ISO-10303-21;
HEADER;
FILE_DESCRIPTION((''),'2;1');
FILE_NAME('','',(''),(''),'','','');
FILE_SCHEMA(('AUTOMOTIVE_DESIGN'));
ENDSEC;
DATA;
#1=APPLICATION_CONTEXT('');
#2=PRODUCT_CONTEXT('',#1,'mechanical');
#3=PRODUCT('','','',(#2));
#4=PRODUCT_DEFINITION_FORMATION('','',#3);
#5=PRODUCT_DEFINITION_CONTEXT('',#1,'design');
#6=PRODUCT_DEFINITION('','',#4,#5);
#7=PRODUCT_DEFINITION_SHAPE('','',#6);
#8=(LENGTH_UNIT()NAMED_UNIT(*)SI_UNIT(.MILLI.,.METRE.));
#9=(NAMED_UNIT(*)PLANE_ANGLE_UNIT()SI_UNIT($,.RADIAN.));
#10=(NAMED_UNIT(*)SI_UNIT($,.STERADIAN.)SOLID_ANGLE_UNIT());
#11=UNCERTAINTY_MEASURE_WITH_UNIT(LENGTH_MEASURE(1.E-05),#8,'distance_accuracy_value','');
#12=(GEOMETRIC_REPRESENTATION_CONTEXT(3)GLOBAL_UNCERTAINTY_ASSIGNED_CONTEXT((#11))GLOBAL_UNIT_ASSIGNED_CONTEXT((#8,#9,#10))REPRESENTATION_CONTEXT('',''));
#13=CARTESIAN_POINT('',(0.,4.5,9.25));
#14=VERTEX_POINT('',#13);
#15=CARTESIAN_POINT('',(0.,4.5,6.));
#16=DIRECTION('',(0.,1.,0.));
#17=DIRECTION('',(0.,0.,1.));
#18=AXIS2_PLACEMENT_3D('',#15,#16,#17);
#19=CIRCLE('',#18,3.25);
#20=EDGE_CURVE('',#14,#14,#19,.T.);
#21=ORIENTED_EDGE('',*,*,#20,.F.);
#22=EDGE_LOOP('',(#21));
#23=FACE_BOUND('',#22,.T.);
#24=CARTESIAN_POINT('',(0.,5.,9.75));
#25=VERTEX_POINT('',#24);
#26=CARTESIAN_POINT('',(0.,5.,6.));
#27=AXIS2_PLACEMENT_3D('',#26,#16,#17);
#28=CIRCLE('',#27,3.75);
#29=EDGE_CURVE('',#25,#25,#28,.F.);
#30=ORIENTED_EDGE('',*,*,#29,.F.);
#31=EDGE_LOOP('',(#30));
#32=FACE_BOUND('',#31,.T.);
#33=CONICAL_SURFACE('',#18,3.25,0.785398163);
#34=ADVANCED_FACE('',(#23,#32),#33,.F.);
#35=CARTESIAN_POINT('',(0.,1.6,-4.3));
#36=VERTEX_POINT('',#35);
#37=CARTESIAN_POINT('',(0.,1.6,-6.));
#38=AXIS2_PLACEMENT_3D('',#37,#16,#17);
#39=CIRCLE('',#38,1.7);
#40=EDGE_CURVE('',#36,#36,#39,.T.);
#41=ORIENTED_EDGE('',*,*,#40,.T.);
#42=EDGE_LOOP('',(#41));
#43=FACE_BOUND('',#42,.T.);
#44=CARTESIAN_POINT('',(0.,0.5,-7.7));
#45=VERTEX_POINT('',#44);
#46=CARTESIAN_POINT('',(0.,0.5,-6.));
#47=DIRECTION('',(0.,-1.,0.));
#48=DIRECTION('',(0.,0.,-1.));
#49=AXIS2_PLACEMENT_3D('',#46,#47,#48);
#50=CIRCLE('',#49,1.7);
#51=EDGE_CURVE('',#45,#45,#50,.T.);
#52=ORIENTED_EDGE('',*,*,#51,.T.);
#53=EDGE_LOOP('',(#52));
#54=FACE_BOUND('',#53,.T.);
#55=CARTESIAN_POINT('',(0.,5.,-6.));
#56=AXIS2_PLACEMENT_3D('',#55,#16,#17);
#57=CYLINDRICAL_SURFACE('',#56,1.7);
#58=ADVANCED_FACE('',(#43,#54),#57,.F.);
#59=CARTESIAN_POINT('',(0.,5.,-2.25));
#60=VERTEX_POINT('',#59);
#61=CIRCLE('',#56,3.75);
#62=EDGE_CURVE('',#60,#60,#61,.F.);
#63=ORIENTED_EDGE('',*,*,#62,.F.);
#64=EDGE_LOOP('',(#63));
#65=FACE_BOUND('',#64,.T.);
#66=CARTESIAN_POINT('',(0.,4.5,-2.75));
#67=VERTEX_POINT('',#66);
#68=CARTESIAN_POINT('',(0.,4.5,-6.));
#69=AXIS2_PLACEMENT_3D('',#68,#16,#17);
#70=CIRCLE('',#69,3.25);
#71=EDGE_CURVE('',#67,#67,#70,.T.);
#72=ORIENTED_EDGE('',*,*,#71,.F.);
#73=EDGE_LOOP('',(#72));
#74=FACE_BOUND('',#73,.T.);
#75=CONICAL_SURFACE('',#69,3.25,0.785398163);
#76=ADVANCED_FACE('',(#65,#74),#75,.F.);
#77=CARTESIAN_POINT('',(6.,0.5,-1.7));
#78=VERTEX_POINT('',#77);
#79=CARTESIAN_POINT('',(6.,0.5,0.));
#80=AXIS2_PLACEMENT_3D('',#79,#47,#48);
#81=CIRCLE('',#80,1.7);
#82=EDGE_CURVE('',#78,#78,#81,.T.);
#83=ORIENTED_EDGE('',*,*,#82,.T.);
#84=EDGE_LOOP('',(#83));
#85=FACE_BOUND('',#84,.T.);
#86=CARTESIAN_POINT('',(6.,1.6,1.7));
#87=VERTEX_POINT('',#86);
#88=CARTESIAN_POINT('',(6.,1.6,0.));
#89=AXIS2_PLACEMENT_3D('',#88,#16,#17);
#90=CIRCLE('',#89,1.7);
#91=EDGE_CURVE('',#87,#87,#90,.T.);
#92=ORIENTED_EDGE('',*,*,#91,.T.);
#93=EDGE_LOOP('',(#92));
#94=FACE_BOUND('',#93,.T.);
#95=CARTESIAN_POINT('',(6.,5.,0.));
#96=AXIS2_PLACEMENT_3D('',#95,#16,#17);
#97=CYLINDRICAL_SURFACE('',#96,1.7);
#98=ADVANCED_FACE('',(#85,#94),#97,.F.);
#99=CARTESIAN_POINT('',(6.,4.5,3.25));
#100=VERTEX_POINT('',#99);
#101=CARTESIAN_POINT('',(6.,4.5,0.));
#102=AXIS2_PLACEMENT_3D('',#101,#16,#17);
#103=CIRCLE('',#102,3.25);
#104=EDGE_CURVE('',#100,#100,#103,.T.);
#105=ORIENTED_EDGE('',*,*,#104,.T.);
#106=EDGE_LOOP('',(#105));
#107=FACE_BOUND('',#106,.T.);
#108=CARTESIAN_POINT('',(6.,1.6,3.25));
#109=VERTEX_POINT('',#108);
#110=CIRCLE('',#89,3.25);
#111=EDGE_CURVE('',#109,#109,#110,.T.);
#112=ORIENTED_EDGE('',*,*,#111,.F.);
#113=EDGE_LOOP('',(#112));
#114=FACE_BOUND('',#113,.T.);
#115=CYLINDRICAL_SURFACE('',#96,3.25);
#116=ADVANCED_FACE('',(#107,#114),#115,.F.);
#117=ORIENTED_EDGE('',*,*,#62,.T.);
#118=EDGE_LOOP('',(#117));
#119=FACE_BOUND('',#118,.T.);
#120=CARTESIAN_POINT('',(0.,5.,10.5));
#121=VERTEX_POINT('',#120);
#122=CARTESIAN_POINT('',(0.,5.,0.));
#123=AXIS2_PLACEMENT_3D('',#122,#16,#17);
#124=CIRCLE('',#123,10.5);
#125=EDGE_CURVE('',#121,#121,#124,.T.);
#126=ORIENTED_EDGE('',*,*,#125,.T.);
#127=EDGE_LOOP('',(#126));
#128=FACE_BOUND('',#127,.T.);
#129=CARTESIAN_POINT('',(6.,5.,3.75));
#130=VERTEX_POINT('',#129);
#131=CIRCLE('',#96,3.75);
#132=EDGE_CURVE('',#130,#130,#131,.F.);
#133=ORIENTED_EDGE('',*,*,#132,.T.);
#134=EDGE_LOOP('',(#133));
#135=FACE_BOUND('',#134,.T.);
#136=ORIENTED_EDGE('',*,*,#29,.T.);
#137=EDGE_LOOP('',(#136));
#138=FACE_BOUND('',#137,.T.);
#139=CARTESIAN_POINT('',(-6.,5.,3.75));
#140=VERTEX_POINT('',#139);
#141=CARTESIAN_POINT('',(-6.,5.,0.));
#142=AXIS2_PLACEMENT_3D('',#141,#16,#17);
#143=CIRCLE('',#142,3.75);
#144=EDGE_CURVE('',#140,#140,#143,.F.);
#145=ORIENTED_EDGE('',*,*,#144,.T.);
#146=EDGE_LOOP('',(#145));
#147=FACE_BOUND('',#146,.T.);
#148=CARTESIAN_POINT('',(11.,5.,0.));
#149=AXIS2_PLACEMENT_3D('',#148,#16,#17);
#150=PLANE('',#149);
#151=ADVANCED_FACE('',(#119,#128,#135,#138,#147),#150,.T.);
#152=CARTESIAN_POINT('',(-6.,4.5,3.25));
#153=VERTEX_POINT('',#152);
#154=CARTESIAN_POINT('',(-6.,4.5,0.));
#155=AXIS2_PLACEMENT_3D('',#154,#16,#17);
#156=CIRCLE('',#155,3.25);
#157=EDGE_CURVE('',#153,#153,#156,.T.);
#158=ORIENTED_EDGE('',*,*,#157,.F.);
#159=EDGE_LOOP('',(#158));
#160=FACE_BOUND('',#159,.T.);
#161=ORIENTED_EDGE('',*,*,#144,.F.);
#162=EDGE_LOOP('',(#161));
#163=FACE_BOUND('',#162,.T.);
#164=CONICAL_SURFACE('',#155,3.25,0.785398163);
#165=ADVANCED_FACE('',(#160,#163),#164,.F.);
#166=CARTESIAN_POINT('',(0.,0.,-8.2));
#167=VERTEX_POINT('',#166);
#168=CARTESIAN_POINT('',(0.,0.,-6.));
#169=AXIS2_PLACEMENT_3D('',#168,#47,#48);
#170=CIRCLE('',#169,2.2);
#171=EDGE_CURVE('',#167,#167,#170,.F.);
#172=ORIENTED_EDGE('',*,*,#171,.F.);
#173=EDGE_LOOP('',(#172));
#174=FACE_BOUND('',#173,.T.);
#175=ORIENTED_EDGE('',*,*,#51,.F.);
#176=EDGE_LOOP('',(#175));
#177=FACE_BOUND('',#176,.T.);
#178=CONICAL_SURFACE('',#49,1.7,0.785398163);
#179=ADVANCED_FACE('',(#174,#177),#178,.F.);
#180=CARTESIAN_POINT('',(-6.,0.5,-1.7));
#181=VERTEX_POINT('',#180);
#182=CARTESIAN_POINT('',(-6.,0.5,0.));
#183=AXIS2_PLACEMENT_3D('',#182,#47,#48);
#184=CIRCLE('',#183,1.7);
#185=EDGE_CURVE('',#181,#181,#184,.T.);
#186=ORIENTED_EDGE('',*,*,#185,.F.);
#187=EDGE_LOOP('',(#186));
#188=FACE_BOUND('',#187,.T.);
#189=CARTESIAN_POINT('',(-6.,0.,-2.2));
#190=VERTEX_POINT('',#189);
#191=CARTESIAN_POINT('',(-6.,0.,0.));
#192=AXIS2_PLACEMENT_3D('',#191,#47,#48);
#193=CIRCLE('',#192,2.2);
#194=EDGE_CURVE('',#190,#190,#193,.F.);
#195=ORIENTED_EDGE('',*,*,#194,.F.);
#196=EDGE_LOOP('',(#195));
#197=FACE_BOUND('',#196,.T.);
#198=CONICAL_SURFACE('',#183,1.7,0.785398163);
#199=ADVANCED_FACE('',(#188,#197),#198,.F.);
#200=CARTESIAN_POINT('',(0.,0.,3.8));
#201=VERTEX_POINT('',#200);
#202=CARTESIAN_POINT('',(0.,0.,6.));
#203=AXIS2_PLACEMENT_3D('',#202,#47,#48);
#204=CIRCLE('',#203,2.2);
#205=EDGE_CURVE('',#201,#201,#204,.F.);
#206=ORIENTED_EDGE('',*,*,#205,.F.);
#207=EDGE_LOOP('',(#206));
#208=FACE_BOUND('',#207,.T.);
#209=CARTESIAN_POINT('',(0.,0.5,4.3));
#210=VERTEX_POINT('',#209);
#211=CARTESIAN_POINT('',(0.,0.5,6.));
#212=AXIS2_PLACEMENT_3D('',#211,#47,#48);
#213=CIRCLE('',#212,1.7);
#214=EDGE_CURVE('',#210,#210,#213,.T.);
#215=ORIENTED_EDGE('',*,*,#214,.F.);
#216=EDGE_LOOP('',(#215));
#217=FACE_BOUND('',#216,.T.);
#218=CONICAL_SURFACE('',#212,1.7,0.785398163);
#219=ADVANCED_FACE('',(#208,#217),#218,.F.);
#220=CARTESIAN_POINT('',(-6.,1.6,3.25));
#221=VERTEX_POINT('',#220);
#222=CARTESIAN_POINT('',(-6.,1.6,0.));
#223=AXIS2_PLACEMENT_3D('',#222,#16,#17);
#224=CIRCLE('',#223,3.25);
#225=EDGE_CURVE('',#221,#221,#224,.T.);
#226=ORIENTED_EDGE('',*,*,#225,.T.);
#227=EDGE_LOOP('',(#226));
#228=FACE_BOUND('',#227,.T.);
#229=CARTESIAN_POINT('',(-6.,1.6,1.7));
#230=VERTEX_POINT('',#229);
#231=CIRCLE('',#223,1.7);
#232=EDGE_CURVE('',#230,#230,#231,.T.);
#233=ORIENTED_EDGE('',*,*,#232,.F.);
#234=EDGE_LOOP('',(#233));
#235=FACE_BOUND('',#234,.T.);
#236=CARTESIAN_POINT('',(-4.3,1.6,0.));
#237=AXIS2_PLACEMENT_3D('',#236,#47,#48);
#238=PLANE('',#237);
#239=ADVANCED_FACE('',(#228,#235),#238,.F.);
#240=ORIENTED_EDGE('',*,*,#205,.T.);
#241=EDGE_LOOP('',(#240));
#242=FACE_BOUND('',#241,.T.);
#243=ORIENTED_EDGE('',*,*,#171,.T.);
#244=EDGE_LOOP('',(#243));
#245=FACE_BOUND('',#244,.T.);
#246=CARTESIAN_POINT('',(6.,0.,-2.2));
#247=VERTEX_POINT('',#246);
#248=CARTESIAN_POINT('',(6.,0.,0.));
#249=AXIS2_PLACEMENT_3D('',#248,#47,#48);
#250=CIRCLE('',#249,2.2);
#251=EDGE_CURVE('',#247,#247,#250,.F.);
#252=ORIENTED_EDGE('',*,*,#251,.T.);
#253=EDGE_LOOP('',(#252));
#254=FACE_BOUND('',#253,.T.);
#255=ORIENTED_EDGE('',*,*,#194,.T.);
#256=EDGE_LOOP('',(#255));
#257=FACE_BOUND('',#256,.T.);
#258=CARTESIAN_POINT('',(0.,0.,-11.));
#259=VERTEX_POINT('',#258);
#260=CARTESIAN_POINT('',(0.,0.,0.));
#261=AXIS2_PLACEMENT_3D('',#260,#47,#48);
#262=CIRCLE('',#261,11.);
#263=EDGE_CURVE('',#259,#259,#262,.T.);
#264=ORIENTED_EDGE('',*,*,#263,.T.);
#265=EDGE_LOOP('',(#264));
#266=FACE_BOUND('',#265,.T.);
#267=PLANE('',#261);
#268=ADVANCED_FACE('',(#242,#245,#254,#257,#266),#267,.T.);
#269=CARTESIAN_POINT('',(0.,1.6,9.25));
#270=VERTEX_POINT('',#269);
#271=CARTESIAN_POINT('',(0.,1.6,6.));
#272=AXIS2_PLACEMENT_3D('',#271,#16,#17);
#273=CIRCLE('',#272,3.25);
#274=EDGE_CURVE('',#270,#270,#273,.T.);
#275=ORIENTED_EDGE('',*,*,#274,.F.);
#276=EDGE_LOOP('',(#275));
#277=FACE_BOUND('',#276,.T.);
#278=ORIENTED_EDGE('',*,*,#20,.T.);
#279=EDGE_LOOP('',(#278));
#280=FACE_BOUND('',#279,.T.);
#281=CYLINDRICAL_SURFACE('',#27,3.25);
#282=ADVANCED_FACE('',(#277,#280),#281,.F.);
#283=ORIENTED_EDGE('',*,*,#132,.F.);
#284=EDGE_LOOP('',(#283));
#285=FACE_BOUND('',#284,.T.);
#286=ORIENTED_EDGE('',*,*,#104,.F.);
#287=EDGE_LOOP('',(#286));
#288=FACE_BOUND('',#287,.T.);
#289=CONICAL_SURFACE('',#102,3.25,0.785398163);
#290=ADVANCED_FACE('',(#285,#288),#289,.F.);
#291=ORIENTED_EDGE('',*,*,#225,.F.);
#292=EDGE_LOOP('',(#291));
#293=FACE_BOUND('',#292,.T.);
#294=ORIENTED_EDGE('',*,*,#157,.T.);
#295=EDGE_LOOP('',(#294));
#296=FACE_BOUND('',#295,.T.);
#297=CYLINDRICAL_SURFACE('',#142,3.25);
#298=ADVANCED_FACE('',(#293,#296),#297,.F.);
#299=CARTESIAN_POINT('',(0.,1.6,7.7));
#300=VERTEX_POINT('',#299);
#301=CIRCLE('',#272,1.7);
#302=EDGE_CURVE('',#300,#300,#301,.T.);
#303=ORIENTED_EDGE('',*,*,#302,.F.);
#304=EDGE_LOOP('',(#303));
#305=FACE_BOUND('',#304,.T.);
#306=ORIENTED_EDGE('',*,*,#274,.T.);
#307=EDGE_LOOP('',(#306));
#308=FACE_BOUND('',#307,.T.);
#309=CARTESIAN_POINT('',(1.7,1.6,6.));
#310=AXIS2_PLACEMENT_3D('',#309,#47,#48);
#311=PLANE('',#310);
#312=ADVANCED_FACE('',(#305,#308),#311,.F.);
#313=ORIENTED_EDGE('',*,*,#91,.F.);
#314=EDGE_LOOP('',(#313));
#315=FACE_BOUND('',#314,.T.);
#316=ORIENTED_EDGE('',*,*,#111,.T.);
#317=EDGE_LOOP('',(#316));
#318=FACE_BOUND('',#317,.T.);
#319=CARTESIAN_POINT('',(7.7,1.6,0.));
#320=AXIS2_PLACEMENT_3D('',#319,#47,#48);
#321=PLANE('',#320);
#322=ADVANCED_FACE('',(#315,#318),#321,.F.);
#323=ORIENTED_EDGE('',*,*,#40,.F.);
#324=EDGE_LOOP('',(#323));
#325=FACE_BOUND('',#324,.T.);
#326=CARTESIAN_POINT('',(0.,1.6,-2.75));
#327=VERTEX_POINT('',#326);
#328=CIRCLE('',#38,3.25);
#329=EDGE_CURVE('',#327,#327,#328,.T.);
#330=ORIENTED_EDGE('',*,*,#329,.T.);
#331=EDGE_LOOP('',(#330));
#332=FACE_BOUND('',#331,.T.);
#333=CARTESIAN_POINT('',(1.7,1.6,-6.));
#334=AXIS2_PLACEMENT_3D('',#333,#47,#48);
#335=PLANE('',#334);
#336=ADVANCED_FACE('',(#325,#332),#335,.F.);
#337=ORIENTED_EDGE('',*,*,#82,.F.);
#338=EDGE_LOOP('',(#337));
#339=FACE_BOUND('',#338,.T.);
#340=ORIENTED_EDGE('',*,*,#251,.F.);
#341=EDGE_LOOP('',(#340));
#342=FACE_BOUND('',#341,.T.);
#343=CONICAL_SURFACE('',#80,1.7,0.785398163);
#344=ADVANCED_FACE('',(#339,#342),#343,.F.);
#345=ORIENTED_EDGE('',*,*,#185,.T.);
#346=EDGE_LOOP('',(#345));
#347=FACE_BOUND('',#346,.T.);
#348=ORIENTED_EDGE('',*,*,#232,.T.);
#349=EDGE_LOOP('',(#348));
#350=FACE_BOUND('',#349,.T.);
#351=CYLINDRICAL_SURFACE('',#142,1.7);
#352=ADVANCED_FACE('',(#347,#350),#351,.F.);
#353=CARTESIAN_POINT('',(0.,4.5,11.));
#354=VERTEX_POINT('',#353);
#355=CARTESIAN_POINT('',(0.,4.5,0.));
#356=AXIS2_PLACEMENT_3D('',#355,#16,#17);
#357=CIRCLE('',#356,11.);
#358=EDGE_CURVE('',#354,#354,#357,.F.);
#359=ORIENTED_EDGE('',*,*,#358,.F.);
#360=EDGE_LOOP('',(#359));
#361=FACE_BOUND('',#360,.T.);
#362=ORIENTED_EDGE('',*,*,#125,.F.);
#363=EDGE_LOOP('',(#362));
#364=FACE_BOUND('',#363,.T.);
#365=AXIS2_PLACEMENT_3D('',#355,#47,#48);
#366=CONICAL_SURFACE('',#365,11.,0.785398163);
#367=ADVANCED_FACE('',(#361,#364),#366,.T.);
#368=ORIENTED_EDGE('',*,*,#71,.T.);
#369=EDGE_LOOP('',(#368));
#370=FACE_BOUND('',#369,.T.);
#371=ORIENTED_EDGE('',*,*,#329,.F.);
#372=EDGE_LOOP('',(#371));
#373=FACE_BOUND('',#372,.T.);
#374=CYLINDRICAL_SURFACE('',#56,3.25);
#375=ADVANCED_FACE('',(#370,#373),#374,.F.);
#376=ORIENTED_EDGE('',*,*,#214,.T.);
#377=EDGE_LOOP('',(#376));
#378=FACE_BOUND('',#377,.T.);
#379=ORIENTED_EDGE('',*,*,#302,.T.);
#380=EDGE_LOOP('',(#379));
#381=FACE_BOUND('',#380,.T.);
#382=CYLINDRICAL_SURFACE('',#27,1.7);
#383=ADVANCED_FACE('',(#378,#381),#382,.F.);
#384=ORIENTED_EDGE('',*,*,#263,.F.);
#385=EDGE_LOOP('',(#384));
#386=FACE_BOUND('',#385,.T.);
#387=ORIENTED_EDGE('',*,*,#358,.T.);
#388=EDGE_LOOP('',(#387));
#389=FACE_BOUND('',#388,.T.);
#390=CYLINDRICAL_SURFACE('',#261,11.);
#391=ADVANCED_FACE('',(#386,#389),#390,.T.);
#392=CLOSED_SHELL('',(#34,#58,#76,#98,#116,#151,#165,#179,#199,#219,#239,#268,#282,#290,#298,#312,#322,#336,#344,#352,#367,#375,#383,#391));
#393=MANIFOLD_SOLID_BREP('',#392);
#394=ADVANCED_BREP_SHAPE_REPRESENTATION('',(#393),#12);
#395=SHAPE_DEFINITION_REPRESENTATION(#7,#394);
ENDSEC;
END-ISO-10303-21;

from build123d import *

# Parameters (mm, degrees)
SKETCH1_W                                           = 11
SKETCH1_H                                           = 5
CBORE_FOR_M3_HEX_SOCKET_HEAD_CAP_SCREW1_D           = 3.4
CBORE_FOR_M3_HEX_SOCKET_HEAD_CAP_SCREW1_DEPTH       = 11
CBORE_FOR_M3_HEX_SOCKET_HEAD_CAP_SCREW1_CBORE_D     = 6.5
CBORE_FOR_M3_HEX_SOCKET_HEAD_CAP_SCREW1_CBORE_DEPTH = 3.4
CBORE_FOR_M3_HEX_SOCKET_HEAD_CAP_SCREW1_TIP         = 1.021463052
CHAMFER1_SIZE                                       = 0.5


with BuildPart() as part:
    # Sketch1 → Revolve1 (revolve)
    with BuildSketch(Plane.XY, mode=Mode.PRIVATE) as revolve1_sk:
        with Locations((5.5, 2.5)):
            Rectangle(SKETCH1_W, SKETCH1_H)
    revolve(revolve1_sk.sketch.rotate(Axis((0, 0, 0), (0, 1, 0)), 90), axis=Axis((0, 0, 0), (0, 1, 0)))

    # CBORE for M3 Hex Socket Head Cap Screw1
    with Locations(Plane(origin=(0, 5, 0), x_dir=(1, 0, 0), z_dir=(0, 1, 0))):
        with Locations((-6, 0), (0, 6), (6, 0), (0, -6)):
            CounterBoreHole(CBORE_FOR_M3_HEX_SOCKET_HEAD_CAP_SCREW1_D / 2, CBORE_FOR_M3_HEX_SOCKET_HEAD_CAP_SCREW1_CBORE_D / 2, CBORE_FOR_M3_HEX_SOCKET_HEAD_CAP_SCREW1_CBORE_DEPTH, depth=CBORE_FOR_M3_HEX_SOCKET_HEAD_CAP_SCREW1_DEPTH)
            with Locations((0, 0, -(CBORE_FOR_M3_HEX_SOCKET_HEAD_CAP_SCREW1_DEPTH + CBORE_FOR_M3_HEX_SOCKET_HEAD_CAP_SCREW1_TIP / 2))):  # 118° drill point
                Cone(0, CBORE_FOR_M3_HEX_SOCKET_HEAD_CAP_SCREW1_D / 2, CBORE_FOR_M3_HEX_SOCKET_HEAD_CAP_SCREW1_TIP, mode=Mode.SUBTRACT)

    # Chamfer1
    chamfer1_edges = [part.edges().sort_by_distance(p)[0] for p in [
        (-4.3, 0, 0),
        (-9.25, 5, 0),
        (1.7, 0, 6),
        (-3.25, 5, 6),
        (7.7, 0, 0),
        (2.75, 5, 0),
        (1.7, 0, -6),
        (-3.25, 5, -6),
        (0, 5, 11),
    ]]
    chamfer(chamfer1_edges, length=CHAMFER1_SIZE)


solid = part.part
